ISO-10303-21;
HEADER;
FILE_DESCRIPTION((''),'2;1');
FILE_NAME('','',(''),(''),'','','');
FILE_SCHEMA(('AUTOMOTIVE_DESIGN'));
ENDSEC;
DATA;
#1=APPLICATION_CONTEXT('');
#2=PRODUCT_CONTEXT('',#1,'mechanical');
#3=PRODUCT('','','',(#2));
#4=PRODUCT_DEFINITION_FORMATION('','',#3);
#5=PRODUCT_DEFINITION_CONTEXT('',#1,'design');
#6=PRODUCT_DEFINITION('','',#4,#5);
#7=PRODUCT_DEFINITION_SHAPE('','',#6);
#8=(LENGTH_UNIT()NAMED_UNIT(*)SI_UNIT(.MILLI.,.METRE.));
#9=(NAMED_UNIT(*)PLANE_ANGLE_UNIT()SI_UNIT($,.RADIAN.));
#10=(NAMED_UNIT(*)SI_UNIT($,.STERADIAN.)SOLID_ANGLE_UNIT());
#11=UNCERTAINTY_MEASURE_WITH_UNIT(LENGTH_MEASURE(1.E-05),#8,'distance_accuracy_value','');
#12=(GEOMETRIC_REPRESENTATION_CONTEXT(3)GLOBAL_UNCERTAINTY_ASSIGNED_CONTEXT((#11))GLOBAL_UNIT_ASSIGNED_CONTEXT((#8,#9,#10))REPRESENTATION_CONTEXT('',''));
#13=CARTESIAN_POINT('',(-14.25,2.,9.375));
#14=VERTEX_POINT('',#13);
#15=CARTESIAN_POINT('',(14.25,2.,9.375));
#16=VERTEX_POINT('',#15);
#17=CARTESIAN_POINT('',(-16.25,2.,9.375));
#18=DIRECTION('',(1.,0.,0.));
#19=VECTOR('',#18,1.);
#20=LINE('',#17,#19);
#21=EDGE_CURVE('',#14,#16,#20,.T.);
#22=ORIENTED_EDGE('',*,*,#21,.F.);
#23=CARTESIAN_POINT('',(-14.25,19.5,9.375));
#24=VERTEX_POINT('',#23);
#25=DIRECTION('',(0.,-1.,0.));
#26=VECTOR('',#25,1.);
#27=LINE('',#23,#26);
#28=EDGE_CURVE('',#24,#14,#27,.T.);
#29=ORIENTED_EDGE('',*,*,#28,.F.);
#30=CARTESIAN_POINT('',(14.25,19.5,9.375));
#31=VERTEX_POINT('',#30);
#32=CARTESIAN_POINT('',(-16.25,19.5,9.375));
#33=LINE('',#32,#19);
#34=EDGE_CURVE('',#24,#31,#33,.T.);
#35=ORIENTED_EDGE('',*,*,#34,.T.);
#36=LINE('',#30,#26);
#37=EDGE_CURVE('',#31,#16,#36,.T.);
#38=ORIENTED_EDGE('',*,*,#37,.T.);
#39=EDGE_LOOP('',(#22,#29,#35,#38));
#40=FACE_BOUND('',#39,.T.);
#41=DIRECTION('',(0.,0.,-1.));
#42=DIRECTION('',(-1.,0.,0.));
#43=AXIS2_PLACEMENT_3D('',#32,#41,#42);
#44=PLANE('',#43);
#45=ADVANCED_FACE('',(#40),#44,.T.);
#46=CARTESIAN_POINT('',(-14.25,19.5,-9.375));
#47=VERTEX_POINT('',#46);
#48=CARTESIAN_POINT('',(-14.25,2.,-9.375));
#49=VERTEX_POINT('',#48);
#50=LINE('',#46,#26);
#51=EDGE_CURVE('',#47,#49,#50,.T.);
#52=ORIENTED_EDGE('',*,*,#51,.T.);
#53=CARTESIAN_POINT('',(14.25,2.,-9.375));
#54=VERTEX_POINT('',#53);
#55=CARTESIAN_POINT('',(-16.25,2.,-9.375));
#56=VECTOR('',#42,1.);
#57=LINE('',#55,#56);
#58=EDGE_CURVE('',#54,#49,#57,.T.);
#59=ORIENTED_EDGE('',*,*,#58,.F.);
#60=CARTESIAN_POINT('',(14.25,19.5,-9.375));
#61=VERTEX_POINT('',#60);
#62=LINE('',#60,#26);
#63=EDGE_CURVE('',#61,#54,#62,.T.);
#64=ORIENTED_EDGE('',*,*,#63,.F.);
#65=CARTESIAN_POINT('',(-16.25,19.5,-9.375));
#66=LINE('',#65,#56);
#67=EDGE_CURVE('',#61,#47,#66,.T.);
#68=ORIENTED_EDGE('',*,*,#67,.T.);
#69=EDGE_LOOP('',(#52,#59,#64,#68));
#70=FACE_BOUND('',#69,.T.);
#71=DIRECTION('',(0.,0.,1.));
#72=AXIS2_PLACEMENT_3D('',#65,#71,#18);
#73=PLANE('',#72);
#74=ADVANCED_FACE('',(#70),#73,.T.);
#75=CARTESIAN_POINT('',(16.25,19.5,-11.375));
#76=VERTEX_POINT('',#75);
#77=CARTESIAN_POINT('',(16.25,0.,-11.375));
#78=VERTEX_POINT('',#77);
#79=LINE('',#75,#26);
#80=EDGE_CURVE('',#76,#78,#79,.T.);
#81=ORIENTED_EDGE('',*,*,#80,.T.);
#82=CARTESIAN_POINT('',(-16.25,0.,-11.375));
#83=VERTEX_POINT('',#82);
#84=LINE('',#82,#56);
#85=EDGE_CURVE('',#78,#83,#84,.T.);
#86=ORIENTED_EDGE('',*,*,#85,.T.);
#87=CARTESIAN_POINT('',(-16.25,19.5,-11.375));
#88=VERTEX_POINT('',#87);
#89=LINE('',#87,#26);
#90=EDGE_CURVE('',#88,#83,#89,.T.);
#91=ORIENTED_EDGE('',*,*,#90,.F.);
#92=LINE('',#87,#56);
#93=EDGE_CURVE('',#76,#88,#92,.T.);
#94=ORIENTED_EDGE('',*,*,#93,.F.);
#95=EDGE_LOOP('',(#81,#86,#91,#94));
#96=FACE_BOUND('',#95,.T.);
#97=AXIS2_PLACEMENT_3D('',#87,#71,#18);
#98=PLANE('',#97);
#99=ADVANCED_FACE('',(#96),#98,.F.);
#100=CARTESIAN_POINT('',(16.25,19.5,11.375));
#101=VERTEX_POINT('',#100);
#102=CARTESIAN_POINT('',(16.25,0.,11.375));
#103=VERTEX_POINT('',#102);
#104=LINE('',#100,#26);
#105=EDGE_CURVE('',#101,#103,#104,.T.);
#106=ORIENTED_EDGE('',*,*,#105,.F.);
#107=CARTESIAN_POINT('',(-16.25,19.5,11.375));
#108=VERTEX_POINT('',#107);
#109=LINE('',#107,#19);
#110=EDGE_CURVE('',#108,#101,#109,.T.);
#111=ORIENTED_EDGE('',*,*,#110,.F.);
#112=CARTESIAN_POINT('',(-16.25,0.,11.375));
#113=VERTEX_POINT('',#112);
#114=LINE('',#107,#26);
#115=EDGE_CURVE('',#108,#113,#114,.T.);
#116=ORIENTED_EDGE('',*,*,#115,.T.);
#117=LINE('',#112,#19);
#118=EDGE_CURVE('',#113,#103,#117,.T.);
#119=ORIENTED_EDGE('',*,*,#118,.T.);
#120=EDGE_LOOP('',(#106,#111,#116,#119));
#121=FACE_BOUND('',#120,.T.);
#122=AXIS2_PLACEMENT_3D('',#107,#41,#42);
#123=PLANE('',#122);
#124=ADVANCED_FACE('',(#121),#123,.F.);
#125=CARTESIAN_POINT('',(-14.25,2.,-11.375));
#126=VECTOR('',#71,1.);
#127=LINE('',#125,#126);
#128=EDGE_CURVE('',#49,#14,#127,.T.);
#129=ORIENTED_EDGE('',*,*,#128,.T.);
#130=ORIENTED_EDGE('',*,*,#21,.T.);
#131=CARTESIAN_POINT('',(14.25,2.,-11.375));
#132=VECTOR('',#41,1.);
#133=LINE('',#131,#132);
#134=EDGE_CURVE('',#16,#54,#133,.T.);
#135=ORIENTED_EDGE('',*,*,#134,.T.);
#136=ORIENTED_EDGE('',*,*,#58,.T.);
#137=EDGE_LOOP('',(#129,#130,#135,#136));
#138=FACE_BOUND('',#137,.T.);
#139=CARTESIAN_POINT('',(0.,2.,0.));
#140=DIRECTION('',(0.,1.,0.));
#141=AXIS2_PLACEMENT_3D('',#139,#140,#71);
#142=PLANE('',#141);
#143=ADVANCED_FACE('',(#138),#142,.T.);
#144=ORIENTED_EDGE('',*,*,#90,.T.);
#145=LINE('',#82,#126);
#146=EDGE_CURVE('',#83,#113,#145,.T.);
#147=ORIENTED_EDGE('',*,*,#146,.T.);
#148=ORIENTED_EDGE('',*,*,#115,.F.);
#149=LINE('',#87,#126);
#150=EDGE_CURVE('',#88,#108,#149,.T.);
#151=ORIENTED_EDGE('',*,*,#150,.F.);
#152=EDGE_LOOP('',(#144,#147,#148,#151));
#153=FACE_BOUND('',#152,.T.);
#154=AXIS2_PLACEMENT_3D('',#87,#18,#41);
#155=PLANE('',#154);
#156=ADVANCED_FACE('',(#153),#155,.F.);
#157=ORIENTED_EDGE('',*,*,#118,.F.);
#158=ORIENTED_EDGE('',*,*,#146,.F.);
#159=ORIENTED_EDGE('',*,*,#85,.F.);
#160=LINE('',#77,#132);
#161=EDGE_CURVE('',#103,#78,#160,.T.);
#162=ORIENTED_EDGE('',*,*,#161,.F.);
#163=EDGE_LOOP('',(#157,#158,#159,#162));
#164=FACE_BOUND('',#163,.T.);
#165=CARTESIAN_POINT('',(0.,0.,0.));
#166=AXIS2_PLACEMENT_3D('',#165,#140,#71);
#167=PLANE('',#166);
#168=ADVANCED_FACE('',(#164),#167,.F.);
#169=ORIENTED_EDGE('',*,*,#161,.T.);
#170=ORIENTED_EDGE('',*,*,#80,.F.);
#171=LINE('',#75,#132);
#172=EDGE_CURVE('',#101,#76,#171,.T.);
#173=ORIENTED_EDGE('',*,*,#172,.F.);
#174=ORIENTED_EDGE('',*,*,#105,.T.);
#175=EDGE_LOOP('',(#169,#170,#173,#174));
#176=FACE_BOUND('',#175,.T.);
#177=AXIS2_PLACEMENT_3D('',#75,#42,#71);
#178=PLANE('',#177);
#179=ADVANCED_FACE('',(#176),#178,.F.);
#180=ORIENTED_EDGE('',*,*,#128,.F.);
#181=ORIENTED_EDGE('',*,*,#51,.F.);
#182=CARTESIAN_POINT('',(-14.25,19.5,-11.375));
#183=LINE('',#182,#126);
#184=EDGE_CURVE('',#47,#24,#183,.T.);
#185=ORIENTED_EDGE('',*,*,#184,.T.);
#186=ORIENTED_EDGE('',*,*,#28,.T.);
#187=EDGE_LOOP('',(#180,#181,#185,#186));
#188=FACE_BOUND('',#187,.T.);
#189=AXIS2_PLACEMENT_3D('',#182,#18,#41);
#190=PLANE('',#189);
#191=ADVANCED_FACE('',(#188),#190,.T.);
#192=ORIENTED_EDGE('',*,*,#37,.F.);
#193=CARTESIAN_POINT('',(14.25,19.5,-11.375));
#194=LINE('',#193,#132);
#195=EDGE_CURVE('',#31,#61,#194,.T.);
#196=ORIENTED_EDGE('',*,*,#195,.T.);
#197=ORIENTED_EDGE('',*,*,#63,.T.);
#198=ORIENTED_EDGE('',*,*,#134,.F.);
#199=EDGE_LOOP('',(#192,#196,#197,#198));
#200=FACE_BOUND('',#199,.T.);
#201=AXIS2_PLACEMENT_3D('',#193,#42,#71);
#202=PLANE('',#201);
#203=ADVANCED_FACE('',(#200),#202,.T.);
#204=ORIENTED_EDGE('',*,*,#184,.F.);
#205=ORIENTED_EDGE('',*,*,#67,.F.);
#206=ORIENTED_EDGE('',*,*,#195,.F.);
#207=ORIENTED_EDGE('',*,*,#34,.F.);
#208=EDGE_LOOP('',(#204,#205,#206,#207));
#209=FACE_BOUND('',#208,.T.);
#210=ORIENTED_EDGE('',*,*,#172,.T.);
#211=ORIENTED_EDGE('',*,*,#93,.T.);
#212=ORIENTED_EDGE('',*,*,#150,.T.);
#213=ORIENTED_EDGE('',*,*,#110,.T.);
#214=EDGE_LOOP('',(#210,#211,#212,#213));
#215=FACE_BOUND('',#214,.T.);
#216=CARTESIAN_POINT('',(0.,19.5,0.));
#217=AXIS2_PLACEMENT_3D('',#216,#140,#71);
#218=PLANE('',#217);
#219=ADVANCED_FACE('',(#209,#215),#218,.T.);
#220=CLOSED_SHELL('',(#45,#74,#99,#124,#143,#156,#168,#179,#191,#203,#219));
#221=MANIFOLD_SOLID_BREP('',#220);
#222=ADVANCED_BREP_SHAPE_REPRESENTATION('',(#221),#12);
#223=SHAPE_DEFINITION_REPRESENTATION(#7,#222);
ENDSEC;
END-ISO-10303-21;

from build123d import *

# Parameters (mm, degrees)
SKETCH1_W           = 32.5
SKETCH1_H           = 22.75
BOSS_EXTRUDE1_DEPTH = 19.5
SHELL1_T            = -2


with BuildPart() as part:
    # Sketch1 → Boss-Extrude1 (new body)
    with BuildSketch(Plane(origin=(0, 0, 0), x_dir=(1, 0, 0), z_dir=(0, 1, 0))):
        Rectangle(SKETCH1_W, SKETCH1_H)
    extrude(amount=BOSS_EXTRUDE1_DEPTH)

    # Shell1
    shell1_openings = [part.faces().sort_by_distance(p)[0] for p in [
        (0, 19.5, 0),
    ]]
    offset(amount=SHELL1_T, openings=shell1_openings, kind=Kind.INTERSECTION)


solid = part.part
